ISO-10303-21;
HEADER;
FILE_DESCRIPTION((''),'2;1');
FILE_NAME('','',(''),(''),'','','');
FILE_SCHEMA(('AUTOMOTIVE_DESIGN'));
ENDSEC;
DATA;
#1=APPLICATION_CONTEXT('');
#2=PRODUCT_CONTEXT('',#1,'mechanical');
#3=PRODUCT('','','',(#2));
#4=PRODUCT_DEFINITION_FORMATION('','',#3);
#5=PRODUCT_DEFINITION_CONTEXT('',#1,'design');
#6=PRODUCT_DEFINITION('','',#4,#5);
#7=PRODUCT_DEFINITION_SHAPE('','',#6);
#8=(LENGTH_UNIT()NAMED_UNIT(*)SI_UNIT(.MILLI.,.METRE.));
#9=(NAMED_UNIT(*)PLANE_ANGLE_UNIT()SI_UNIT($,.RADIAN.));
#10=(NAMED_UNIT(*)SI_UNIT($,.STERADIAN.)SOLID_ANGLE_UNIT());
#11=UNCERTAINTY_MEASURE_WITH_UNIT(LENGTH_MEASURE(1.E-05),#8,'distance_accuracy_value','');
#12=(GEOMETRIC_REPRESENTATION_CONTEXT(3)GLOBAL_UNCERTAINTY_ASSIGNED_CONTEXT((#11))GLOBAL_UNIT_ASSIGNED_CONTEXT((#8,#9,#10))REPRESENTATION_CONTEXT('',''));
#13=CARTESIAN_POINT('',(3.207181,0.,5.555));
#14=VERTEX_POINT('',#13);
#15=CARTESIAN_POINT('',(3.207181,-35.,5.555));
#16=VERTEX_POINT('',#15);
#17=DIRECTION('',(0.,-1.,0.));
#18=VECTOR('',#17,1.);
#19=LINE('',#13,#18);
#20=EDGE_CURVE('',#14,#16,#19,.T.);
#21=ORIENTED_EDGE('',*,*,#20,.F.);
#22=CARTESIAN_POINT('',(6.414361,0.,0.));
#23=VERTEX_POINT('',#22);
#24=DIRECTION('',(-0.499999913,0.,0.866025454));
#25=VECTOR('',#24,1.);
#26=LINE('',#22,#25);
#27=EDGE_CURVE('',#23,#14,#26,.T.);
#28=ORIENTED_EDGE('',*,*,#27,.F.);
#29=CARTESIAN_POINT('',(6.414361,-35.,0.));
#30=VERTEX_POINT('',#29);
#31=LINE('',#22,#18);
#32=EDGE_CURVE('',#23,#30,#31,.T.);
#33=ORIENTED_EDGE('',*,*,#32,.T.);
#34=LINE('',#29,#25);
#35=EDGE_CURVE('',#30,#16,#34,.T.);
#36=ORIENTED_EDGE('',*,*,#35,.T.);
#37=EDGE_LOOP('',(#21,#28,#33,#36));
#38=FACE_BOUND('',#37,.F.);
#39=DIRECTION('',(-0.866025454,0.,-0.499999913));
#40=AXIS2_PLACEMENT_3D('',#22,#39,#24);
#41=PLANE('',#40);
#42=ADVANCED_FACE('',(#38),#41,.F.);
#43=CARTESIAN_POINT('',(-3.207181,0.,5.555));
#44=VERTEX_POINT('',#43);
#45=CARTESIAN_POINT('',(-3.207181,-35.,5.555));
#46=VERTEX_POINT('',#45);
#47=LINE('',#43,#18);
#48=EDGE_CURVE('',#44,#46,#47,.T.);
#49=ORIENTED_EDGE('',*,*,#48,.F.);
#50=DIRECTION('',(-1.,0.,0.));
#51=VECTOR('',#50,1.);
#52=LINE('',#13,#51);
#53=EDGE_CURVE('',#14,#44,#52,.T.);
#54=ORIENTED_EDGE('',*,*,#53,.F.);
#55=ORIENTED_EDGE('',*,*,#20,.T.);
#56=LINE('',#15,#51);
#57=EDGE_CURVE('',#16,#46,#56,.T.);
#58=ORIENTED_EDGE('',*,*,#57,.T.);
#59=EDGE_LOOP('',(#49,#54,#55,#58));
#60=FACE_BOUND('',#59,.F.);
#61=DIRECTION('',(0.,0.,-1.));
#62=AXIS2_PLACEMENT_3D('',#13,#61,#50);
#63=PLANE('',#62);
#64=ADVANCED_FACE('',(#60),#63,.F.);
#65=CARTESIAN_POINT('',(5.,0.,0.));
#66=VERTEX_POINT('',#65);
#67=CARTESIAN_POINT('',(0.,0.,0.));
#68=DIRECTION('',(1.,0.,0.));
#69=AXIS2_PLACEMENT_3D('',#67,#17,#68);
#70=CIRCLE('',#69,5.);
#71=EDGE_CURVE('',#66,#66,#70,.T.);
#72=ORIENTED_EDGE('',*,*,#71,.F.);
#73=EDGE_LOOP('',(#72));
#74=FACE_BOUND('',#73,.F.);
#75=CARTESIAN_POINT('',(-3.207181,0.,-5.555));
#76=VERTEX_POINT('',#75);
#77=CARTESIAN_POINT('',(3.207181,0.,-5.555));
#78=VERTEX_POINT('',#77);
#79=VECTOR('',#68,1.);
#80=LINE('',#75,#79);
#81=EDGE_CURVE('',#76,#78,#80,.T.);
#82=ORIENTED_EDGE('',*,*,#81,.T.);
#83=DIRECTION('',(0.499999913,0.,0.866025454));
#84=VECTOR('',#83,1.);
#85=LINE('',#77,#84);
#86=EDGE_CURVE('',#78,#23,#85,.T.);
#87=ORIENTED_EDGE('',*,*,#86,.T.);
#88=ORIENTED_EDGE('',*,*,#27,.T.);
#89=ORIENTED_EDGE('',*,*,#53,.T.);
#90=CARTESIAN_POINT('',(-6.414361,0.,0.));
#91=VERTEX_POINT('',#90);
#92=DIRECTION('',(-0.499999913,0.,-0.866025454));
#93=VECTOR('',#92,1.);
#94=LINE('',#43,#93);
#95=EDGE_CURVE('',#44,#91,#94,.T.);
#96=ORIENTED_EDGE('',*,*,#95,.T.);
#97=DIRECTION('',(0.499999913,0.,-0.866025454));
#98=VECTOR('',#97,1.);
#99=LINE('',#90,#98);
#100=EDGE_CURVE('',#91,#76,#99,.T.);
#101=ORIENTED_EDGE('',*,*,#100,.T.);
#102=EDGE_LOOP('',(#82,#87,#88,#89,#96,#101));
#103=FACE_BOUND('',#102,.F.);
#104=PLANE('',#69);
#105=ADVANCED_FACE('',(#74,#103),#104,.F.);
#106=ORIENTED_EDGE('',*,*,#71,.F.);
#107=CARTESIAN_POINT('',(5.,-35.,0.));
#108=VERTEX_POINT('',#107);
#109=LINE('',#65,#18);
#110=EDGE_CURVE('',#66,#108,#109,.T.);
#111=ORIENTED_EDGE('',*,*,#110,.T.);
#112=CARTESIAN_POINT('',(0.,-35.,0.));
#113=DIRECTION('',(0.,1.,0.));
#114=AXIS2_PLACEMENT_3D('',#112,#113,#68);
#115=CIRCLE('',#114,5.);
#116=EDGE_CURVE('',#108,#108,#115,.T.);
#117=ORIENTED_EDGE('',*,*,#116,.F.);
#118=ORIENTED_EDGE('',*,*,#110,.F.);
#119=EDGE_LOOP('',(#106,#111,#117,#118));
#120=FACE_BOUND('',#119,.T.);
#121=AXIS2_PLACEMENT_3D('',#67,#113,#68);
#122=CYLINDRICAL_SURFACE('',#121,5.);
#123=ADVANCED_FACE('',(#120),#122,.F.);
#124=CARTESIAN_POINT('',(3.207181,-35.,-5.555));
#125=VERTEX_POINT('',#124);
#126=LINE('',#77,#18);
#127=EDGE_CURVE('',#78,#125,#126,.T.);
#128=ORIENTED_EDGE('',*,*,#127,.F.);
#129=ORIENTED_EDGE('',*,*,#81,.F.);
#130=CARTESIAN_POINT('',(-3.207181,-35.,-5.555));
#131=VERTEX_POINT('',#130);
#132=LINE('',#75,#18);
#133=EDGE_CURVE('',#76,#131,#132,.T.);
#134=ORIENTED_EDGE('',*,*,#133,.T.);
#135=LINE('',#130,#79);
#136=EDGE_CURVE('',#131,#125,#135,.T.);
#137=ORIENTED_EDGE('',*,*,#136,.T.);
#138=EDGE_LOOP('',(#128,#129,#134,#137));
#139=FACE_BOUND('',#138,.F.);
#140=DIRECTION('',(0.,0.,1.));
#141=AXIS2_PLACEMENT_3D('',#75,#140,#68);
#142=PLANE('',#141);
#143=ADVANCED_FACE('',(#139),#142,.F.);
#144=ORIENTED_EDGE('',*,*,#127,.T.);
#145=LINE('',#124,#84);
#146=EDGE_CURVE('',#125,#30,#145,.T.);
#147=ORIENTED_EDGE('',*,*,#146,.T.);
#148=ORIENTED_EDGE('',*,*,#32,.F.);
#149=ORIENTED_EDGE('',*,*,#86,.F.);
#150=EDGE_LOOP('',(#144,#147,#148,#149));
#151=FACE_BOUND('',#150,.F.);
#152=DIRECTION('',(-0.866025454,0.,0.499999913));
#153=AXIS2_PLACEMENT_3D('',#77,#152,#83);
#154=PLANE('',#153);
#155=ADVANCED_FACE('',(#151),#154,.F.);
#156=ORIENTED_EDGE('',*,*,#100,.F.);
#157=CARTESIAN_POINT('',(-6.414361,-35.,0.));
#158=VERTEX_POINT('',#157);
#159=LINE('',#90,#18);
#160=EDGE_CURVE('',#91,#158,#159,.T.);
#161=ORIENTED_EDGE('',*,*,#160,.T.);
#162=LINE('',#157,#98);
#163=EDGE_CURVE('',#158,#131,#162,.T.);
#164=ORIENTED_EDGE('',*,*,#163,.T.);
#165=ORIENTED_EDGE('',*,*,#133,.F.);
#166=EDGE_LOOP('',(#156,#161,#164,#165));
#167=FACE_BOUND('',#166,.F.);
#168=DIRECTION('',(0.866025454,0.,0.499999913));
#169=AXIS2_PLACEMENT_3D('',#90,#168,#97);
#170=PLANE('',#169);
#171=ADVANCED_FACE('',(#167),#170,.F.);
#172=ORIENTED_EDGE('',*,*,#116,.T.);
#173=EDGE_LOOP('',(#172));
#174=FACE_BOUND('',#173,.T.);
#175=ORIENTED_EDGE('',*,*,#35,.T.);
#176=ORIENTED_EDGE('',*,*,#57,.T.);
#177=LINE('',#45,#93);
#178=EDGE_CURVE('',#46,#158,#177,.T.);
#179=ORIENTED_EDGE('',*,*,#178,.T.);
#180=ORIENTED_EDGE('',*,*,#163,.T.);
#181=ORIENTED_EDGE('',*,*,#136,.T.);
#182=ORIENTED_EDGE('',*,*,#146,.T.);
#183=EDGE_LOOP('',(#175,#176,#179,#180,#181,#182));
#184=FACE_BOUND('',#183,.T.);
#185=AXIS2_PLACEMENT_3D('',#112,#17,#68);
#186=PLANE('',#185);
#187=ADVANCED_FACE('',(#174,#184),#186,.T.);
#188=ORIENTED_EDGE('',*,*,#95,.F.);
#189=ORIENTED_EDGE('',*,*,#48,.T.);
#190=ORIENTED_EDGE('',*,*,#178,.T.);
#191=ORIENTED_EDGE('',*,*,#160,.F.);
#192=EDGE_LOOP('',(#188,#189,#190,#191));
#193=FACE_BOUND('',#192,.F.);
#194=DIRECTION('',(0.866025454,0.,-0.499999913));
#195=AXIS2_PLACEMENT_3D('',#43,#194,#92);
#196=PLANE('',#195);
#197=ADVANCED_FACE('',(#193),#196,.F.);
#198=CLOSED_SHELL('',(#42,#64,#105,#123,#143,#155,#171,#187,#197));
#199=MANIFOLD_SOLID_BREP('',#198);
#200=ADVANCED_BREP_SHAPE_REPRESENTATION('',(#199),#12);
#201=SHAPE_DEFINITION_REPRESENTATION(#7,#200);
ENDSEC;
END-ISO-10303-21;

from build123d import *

# Parameters (mm, degrees)
F1_DEPTH = 35
F2_R     = 5
F3_DEPTH = 52.2


with BuildPart() as f1:
    # F0 (on Front) → F1 (new body)
    with BuildSketch(Plane.XZ):
        Polygon((3.207181, 5.555), (-3.207181, 5.555), (-6.414361, 0), (-3.207181, -5.555), (3.207181, -5.555), (6.414361, 0), align=None)
    extrude(amount=F1_DEPTH)

    # F2 (on Front) → F3 (cut)
    with BuildSketch(Plane.XZ):
        Circle(F2_R)
    extrude(amount=F3_DEPTH, mode=Mode.SUBTRACT)


solid = f1.part
